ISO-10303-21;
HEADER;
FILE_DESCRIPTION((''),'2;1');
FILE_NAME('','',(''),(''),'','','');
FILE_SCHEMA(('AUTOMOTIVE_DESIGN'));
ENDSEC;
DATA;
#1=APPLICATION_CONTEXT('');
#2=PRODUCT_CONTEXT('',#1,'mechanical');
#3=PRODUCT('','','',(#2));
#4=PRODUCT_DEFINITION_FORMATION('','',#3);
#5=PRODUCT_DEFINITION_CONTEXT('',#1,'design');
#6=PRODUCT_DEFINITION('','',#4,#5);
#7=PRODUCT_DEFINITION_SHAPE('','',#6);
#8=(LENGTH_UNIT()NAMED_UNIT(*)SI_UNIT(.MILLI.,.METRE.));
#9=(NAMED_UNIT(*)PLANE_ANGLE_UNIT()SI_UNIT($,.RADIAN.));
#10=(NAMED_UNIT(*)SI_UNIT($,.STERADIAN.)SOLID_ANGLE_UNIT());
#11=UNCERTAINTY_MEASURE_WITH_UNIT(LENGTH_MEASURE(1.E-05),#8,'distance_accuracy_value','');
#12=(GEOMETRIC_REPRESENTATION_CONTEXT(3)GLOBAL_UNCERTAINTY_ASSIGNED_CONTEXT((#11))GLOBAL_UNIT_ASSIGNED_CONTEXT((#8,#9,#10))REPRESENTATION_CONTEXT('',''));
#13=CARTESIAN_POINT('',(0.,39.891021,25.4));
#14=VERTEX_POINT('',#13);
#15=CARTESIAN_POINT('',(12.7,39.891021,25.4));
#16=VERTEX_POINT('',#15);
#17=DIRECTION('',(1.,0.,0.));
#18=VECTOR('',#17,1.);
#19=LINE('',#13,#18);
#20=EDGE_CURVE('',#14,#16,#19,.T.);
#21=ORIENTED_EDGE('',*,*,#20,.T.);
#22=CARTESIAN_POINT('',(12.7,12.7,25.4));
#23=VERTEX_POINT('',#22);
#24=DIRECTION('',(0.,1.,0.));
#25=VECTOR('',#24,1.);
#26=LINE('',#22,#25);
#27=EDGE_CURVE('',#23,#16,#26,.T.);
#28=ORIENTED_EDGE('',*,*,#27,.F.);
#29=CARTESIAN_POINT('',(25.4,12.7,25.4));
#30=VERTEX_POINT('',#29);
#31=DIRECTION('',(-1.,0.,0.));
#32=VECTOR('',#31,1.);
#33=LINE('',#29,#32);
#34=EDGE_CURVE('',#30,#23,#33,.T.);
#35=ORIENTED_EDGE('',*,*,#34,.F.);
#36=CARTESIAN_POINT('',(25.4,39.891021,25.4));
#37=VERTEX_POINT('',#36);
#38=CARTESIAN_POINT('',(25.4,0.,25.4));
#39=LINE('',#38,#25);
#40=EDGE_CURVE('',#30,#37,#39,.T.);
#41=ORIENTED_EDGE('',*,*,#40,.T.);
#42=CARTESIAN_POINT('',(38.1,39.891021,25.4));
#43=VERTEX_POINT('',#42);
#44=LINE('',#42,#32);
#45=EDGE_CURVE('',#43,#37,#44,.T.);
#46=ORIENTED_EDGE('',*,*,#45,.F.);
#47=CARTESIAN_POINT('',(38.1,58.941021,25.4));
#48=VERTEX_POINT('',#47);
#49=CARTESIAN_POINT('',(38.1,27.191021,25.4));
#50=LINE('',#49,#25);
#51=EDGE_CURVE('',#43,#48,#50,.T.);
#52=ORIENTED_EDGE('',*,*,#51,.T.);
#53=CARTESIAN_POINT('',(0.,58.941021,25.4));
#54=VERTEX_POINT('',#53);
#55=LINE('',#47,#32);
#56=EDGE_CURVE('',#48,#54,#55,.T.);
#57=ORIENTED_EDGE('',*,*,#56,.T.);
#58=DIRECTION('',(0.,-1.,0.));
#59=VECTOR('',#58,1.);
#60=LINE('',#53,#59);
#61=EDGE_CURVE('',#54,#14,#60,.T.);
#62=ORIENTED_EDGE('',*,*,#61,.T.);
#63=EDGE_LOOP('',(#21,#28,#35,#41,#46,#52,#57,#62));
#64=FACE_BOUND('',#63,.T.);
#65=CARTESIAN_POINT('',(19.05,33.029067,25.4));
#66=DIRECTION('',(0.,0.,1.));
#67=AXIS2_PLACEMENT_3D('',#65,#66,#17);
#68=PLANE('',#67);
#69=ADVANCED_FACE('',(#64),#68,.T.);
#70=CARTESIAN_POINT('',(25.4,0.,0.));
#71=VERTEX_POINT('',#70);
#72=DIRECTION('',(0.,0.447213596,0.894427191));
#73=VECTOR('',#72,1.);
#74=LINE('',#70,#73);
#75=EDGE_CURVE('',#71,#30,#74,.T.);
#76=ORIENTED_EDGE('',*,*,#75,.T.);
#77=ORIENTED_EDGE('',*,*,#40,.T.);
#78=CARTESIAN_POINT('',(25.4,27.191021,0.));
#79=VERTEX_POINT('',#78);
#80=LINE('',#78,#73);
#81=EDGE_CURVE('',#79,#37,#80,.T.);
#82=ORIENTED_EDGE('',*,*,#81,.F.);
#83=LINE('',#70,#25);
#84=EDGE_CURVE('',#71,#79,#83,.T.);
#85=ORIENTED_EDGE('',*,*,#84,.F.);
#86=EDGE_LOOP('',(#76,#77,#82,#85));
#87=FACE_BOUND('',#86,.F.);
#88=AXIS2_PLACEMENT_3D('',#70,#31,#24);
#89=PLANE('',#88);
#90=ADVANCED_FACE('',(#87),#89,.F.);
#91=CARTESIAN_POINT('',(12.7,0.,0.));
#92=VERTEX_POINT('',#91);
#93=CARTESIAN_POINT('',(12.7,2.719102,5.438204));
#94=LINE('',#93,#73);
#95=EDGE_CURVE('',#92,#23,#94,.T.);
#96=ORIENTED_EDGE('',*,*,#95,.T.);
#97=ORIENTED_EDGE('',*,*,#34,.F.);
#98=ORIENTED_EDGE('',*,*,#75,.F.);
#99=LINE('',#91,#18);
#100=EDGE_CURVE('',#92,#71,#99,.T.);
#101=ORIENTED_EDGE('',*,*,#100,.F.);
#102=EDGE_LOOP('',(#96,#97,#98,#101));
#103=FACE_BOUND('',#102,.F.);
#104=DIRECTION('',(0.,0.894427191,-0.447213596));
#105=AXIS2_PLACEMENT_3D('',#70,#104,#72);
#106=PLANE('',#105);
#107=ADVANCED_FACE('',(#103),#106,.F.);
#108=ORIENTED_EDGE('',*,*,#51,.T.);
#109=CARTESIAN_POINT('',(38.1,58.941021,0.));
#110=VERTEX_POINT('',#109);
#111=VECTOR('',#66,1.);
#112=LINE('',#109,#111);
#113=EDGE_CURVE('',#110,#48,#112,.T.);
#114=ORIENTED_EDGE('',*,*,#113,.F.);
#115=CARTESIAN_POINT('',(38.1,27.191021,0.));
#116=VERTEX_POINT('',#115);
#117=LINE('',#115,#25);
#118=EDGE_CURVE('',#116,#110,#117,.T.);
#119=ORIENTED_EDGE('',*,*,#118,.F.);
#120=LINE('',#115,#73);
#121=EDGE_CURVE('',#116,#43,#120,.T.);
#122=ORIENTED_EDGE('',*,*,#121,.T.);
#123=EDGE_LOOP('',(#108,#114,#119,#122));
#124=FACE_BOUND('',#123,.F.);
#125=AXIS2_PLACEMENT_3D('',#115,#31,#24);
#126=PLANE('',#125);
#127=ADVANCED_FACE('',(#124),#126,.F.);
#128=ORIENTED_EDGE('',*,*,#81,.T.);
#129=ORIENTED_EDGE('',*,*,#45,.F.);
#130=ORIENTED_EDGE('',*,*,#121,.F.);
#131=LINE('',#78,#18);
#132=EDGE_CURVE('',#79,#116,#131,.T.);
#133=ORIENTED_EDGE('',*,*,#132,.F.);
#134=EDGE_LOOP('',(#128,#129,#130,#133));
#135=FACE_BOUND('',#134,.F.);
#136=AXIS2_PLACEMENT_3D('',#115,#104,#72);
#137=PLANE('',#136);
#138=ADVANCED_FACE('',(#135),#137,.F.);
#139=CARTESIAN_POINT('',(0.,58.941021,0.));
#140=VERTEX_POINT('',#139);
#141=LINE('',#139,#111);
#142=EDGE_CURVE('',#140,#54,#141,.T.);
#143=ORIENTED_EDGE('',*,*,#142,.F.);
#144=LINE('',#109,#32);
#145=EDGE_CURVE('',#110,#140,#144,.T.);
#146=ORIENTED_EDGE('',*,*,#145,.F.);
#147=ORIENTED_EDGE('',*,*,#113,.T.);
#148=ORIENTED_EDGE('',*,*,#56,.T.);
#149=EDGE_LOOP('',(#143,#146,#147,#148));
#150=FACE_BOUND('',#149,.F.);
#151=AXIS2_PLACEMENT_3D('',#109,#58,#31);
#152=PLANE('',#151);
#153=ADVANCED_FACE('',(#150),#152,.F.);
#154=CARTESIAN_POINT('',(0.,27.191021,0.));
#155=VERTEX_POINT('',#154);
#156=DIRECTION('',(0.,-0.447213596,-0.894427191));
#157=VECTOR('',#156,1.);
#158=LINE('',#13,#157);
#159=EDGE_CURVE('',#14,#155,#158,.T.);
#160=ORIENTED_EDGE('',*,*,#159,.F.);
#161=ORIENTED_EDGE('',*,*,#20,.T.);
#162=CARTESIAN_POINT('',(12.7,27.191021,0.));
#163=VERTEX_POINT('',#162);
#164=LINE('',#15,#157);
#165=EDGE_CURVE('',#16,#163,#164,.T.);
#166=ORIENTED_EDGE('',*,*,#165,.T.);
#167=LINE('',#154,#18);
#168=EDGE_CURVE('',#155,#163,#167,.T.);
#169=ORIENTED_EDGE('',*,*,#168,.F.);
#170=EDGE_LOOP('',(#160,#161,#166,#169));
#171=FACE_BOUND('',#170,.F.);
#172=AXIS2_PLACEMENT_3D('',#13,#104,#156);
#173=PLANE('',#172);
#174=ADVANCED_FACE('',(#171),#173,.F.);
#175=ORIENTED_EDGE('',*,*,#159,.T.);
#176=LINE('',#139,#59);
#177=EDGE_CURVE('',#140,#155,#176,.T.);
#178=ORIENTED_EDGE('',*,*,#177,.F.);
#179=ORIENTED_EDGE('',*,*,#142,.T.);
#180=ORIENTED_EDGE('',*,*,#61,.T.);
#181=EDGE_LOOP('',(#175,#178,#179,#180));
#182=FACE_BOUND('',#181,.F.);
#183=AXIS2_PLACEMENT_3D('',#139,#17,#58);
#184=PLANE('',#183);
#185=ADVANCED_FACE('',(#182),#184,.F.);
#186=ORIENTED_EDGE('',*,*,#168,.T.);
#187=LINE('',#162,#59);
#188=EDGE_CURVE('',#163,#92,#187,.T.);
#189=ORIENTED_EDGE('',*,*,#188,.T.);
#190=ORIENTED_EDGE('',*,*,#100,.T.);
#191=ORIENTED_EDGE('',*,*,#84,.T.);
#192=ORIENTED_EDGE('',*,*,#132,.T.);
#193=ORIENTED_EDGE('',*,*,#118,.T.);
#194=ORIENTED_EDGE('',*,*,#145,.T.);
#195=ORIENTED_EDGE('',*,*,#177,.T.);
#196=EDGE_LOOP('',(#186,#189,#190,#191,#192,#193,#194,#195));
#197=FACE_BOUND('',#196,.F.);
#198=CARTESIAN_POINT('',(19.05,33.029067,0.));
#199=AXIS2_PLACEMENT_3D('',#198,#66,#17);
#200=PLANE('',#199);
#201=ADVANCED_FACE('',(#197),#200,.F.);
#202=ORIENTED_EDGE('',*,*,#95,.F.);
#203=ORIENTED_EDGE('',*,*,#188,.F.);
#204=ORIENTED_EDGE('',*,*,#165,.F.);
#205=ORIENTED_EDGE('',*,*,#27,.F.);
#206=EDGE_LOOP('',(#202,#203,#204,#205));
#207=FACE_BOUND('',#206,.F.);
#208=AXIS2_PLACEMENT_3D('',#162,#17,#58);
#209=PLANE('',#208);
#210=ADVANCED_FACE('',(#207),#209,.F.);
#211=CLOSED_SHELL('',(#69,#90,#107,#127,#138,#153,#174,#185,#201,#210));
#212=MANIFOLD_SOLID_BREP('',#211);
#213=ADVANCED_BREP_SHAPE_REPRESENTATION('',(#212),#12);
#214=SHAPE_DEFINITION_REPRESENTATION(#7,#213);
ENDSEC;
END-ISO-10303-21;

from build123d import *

# Parameters (mm, degrees)
F1_DEPTH = 25.4
F5_DEPTH = 12.7
F6_DEPTH = 25.4
F7_DEPTH = 12.7


with BuildPart() as f1:
    # F0 (on Top) → F1 (new body)
    with BuildSketch(Plane.XY):
        Polygon((12.7, 27.191021), (12.7, 0), (25.4, 0), (25.4, 27.191021), (38.1, 27.191021), (38.1, 58.941021), (0, 58.941021), (0, 27.191021), align=None)
    extrude(amount=F1_DEPTH)

    # F3 (on face) → F5 (cut)
    with BuildSketch(Plane.YZ.offset(38.1)):
        Polygon((27.191021, 25.4), (27.191021, 0), (39.891021, 25.4), align=None)
    extrude(amount=-F5_DEPTH, mode=Mode.SUBTRACT)

    # F2 (on face) → F6 (cut)
    with BuildSketch(Plane.YZ.offset(25.4)):
        Polygon((0, 25.4), (0, 0), (12.7, 25.4), align=None)
    extrude(amount=-F6_DEPTH, mode=Mode.SUBTRACT)

    # F4 (on face) → F7 (cut)
    with BuildSketch(Plane(origin=(0, 0, 0), x_dir=(0, -1, 0), z_dir=(-1, 0, 0))):
        Polygon((-27.191021, 25.4), (-39.891021, 25.4), (-27.191021, 0), align=None)
    extrude(amount=-F7_DEPTH, mode=Mode.SUBTRACT)


solid = f1.part
